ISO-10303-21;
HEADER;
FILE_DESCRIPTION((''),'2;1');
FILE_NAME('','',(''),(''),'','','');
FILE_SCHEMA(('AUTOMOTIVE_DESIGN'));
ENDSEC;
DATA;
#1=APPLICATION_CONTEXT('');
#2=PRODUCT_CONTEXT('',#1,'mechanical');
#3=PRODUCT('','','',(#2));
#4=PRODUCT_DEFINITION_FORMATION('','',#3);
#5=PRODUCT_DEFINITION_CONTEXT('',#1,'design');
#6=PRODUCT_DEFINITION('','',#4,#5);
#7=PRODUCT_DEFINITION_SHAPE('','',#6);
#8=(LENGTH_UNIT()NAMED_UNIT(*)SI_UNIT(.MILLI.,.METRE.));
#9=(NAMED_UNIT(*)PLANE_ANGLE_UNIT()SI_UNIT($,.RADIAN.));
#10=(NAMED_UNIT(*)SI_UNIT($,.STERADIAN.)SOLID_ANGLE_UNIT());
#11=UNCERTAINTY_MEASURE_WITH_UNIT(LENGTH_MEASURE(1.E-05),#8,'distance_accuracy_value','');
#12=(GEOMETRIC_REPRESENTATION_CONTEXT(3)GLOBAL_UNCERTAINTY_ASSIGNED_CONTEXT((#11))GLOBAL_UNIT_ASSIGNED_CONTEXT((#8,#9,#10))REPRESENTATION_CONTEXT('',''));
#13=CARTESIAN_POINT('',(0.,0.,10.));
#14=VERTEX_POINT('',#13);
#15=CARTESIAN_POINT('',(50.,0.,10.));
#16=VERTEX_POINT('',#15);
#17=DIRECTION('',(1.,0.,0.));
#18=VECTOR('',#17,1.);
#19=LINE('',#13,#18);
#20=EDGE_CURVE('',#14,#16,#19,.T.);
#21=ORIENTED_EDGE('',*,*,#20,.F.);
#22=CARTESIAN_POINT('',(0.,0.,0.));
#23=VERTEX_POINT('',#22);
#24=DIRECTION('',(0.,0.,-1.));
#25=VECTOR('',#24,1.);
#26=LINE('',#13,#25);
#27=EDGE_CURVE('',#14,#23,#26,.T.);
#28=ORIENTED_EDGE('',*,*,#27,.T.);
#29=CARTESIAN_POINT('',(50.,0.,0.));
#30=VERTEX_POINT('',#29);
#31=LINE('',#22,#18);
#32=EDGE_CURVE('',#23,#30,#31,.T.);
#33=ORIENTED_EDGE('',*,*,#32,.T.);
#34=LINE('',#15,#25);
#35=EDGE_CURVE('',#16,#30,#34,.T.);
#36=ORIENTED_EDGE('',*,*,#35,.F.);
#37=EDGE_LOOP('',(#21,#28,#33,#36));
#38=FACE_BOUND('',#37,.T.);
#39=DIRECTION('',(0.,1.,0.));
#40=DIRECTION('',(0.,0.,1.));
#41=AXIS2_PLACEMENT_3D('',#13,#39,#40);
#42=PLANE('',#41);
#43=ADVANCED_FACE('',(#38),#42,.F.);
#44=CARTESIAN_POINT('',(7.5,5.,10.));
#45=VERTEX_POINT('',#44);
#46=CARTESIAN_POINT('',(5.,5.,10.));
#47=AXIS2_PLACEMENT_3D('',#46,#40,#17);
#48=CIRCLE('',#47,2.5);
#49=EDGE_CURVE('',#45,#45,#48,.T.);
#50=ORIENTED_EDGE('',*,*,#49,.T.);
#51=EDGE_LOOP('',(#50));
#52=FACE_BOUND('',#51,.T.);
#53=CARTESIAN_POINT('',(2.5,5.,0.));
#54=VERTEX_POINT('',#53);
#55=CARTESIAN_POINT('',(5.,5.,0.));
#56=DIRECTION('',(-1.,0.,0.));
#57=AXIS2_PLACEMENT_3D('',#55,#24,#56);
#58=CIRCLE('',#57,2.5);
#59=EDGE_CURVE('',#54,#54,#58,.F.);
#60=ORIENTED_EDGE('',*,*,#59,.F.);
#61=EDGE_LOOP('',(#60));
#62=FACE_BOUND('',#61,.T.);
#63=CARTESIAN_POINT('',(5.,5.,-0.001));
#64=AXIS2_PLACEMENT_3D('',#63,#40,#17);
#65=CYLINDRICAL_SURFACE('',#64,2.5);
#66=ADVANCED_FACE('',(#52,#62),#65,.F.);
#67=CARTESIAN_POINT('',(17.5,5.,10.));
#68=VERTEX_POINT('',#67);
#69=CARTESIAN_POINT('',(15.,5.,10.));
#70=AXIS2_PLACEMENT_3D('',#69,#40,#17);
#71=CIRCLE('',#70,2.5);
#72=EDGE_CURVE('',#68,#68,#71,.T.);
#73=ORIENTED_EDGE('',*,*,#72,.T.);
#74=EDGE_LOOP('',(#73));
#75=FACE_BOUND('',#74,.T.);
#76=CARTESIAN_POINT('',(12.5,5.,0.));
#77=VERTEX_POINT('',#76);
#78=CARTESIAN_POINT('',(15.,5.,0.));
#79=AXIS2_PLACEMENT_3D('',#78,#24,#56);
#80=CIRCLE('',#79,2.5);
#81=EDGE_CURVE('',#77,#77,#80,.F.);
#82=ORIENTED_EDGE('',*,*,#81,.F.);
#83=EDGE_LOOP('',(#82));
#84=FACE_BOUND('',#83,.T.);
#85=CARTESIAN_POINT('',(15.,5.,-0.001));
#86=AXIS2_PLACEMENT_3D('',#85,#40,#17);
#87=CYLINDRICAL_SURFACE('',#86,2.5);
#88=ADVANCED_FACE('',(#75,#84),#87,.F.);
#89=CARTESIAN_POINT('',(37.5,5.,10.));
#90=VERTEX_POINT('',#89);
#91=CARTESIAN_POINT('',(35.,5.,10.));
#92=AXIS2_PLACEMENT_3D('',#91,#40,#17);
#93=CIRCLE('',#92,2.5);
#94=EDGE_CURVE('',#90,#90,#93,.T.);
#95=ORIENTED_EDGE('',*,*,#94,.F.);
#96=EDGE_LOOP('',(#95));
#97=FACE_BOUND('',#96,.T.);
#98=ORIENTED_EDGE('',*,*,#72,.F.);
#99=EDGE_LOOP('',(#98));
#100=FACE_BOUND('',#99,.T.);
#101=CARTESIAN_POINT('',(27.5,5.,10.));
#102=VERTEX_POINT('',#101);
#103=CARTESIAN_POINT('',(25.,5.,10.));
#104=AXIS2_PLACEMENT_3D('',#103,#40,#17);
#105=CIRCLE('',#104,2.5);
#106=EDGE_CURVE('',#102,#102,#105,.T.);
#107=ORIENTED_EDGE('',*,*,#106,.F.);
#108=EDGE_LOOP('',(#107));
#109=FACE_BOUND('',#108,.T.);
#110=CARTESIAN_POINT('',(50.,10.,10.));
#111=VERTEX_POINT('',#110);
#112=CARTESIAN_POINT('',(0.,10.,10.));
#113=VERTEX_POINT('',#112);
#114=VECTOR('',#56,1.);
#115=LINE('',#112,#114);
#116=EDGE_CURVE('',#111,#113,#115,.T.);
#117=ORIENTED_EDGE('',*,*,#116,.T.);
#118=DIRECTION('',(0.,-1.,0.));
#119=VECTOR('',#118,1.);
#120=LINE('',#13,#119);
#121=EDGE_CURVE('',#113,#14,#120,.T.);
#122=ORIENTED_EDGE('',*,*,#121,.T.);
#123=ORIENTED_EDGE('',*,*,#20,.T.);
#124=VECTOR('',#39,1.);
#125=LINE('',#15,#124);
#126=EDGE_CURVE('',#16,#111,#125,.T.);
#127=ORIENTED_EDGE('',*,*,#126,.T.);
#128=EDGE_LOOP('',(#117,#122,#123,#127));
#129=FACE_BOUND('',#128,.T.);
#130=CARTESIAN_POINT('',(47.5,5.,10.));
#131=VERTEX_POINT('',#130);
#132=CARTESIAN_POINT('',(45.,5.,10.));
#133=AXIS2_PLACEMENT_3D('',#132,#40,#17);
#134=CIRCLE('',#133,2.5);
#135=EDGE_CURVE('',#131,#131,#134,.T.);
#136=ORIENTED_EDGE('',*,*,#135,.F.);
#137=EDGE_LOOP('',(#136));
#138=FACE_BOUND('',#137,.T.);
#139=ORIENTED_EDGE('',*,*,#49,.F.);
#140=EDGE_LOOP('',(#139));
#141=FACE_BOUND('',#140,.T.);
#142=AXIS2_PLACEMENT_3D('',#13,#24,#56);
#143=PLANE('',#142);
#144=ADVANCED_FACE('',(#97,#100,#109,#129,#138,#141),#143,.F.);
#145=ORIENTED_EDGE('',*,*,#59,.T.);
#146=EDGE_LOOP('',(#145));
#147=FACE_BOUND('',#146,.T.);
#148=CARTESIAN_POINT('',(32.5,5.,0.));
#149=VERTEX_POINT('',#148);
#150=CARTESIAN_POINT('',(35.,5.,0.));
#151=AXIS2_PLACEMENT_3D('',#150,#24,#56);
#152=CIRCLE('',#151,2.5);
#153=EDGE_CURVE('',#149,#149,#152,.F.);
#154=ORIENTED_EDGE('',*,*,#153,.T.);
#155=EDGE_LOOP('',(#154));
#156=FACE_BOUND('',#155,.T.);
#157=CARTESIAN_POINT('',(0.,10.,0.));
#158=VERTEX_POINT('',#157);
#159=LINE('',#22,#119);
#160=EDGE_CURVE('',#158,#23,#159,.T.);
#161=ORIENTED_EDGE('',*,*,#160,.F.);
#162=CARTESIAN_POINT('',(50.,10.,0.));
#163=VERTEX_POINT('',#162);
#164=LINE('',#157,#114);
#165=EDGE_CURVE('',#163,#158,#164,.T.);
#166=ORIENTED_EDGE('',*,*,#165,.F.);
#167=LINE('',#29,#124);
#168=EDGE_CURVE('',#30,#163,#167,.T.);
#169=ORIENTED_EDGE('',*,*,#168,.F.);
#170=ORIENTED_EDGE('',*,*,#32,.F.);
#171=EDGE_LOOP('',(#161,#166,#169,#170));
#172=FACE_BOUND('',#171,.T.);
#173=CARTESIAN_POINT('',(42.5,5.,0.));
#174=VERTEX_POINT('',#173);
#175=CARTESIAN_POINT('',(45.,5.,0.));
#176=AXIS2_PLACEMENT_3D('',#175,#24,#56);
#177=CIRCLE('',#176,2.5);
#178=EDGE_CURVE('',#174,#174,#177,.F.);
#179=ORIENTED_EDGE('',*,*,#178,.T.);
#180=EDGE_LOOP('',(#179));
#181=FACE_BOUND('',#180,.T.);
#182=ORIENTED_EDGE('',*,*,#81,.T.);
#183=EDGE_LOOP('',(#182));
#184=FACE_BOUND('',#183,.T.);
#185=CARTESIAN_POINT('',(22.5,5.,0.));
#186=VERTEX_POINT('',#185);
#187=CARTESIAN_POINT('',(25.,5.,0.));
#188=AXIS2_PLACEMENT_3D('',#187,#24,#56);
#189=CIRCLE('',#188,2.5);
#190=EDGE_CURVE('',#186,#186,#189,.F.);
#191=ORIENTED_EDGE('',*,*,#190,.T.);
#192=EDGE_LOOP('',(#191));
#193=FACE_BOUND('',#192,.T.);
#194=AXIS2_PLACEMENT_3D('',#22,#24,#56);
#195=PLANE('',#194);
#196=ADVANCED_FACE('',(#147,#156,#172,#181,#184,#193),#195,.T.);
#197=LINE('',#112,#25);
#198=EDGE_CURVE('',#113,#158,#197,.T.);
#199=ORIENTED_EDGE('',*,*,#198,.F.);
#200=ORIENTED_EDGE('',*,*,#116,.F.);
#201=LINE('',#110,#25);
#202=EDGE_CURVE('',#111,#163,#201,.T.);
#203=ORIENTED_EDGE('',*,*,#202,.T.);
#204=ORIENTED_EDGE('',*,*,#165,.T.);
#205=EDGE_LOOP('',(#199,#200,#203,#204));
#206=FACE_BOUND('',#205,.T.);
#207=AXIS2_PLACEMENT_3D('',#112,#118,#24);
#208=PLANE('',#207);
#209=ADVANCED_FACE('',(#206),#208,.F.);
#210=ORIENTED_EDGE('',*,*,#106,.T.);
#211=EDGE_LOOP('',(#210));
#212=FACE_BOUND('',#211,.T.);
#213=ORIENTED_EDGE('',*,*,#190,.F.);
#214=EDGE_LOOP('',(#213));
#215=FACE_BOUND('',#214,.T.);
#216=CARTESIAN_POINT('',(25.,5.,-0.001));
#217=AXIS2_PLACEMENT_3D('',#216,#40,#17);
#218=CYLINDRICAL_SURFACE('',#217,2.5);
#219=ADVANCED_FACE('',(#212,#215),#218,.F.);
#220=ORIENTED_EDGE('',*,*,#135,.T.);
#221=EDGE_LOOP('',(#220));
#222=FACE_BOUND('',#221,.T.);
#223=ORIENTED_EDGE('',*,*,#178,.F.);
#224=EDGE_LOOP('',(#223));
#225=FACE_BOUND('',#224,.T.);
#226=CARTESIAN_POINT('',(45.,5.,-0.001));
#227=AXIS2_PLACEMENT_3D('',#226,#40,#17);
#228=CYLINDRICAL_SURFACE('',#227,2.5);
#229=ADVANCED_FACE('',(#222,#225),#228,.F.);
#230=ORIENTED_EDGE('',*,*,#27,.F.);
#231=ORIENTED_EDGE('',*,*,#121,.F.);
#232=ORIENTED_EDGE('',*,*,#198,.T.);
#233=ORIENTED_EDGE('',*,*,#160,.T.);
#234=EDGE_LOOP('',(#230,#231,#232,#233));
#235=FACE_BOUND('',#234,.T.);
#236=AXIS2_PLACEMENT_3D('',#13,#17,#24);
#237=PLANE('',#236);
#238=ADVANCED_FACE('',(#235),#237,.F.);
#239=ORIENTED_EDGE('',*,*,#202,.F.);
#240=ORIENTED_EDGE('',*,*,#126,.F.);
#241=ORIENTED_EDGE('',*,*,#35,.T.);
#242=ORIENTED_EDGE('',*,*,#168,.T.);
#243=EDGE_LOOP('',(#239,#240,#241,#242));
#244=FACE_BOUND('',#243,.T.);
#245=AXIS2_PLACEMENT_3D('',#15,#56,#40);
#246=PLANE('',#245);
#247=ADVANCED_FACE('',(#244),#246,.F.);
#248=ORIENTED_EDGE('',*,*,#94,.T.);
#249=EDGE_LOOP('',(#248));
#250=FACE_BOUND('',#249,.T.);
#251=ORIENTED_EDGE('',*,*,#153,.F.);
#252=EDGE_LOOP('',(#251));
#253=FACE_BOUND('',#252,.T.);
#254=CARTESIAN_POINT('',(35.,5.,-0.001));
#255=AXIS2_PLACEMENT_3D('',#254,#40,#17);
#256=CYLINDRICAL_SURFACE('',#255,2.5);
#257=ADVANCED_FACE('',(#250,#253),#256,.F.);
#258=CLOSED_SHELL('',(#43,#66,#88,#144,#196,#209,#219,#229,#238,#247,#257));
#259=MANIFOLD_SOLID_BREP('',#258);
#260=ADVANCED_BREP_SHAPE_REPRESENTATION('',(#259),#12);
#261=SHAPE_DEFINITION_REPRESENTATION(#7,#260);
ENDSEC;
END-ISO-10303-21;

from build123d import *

# Parameters (mm, degrees)
ESQUISSE1_W             = 50
ESQUISSE1_H             = 10
BOSS_EXTRU_1_DEPTH      = 10
ENL_V_MAT_EXTRU_1_REACH = 53.962
ESQUISSE2_R             = 2.5


with BuildPart() as part:
    # Esquisse1 → Boss.-Extru.1 (new body)
    with BuildSketch(Plane.XY):
        with Locations((25, 5)):
            Rectangle(ESQUISSE1_W, ESQUISSE1_H)
    extrude(amount=BOSS_EXTRU_1_DEPTH)

    # Esquisse2 → Enlèv. mat.-Extru.1 (cut, up to next)
    with BuildSketch(Plane.XY.offset(10), mode=Mode.PRIVATE) as enl_v_mat_extru_1_sk1:
        with Locations((5, 5)):
            Circle(ESQUISSE2_R)
    enl_v_mat_extru_1_tool1 = extrude(enl_v_mat_extru_1_sk1.sketch, amount=-ENL_V_MAT_EXTRU_1_REACH, mode=Mode.PRIVATE) & part.part
    # Esquisse2 → Enlèv. mat.-Extru.1 (cut, up to next)
    with BuildSketch(Plane.XY.offset(10), mode=Mode.PRIVATE) as enl_v_mat_extru_1_sk2:
        with Locations((15, 5)):
            Circle(ESQUISSE2_R)
    enl_v_mat_extru_1_tool2 = extrude(enl_v_mat_extru_1_sk2.sketch, amount=-ENL_V_MAT_EXTRU_1_REACH, mode=Mode.PRIVATE) & part.part
    # Esquisse2 → Enlèv. mat.-Extru.1 (cut, up to next)
    with BuildSketch(Plane.XY.offset(10), mode=Mode.PRIVATE) as enl_v_mat_extru_1_sk3:
        with Locations((25, 5)):
            Circle(ESQUISSE2_R)
    enl_v_mat_extru_1_tool3 = extrude(enl_v_mat_extru_1_sk3.sketch, amount=-ENL_V_MAT_EXTRU_1_REACH, mode=Mode.PRIVATE) & part.part
    # Esquisse2 → Enlèv. mat.-Extru.1 (cut, up to next)
    with BuildSketch(Plane.XY.offset(10), mode=Mode.PRIVATE) as enl_v_mat_extru_1_sk4:
        with Locations((35, 5)):
            Circle(ESQUISSE2_R)
    enl_v_mat_extru_1_tool4 = extrude(enl_v_mat_extru_1_sk4.sketch, amount=-ENL_V_MAT_EXTRU_1_REACH, mode=Mode.PRIVATE) & part.part
    # Esquisse2 → Enlèv. mat.-Extru.1 (cut, up to next)
    with BuildSketch(Plane.XY.offset(10), mode=Mode.PRIVATE) as enl_v_mat_extru_1_sk5:
        with Locations((45, 5)):
            Circle(ESQUISSE2_R)
    enl_v_mat_extru_1_tool5 = extrude(enl_v_mat_extru_1_sk5.sketch, amount=-ENL_V_MAT_EXTRU_1_REACH, mode=Mode.PRIVATE) & part.part
    add(enl_v_mat_extru_1_tool1.solids().sort_by_distance((5, 5, 10))[0], mode=Mode.SUBTRACT)
    add(enl_v_mat_extru_1_tool2.solids().sort_by_distance((15, 5, 10))[0], mode=Mode.SUBTRACT)
    add(enl_v_mat_extru_1_tool3.solids().sort_by_distance((25, 5, 10))[0], mode=Mode.SUBTRACT)
    add(enl_v_mat_extru_1_tool4.solids().sort_by_distance((35, 5, 10))[0], mode=Mode.SUBTRACT)
    add(enl_v_mat_extru_1_tool5.solids().sort_by_distance((45, 5, 10))[0], mode=Mode.SUBTRACT)


solid = part.part
